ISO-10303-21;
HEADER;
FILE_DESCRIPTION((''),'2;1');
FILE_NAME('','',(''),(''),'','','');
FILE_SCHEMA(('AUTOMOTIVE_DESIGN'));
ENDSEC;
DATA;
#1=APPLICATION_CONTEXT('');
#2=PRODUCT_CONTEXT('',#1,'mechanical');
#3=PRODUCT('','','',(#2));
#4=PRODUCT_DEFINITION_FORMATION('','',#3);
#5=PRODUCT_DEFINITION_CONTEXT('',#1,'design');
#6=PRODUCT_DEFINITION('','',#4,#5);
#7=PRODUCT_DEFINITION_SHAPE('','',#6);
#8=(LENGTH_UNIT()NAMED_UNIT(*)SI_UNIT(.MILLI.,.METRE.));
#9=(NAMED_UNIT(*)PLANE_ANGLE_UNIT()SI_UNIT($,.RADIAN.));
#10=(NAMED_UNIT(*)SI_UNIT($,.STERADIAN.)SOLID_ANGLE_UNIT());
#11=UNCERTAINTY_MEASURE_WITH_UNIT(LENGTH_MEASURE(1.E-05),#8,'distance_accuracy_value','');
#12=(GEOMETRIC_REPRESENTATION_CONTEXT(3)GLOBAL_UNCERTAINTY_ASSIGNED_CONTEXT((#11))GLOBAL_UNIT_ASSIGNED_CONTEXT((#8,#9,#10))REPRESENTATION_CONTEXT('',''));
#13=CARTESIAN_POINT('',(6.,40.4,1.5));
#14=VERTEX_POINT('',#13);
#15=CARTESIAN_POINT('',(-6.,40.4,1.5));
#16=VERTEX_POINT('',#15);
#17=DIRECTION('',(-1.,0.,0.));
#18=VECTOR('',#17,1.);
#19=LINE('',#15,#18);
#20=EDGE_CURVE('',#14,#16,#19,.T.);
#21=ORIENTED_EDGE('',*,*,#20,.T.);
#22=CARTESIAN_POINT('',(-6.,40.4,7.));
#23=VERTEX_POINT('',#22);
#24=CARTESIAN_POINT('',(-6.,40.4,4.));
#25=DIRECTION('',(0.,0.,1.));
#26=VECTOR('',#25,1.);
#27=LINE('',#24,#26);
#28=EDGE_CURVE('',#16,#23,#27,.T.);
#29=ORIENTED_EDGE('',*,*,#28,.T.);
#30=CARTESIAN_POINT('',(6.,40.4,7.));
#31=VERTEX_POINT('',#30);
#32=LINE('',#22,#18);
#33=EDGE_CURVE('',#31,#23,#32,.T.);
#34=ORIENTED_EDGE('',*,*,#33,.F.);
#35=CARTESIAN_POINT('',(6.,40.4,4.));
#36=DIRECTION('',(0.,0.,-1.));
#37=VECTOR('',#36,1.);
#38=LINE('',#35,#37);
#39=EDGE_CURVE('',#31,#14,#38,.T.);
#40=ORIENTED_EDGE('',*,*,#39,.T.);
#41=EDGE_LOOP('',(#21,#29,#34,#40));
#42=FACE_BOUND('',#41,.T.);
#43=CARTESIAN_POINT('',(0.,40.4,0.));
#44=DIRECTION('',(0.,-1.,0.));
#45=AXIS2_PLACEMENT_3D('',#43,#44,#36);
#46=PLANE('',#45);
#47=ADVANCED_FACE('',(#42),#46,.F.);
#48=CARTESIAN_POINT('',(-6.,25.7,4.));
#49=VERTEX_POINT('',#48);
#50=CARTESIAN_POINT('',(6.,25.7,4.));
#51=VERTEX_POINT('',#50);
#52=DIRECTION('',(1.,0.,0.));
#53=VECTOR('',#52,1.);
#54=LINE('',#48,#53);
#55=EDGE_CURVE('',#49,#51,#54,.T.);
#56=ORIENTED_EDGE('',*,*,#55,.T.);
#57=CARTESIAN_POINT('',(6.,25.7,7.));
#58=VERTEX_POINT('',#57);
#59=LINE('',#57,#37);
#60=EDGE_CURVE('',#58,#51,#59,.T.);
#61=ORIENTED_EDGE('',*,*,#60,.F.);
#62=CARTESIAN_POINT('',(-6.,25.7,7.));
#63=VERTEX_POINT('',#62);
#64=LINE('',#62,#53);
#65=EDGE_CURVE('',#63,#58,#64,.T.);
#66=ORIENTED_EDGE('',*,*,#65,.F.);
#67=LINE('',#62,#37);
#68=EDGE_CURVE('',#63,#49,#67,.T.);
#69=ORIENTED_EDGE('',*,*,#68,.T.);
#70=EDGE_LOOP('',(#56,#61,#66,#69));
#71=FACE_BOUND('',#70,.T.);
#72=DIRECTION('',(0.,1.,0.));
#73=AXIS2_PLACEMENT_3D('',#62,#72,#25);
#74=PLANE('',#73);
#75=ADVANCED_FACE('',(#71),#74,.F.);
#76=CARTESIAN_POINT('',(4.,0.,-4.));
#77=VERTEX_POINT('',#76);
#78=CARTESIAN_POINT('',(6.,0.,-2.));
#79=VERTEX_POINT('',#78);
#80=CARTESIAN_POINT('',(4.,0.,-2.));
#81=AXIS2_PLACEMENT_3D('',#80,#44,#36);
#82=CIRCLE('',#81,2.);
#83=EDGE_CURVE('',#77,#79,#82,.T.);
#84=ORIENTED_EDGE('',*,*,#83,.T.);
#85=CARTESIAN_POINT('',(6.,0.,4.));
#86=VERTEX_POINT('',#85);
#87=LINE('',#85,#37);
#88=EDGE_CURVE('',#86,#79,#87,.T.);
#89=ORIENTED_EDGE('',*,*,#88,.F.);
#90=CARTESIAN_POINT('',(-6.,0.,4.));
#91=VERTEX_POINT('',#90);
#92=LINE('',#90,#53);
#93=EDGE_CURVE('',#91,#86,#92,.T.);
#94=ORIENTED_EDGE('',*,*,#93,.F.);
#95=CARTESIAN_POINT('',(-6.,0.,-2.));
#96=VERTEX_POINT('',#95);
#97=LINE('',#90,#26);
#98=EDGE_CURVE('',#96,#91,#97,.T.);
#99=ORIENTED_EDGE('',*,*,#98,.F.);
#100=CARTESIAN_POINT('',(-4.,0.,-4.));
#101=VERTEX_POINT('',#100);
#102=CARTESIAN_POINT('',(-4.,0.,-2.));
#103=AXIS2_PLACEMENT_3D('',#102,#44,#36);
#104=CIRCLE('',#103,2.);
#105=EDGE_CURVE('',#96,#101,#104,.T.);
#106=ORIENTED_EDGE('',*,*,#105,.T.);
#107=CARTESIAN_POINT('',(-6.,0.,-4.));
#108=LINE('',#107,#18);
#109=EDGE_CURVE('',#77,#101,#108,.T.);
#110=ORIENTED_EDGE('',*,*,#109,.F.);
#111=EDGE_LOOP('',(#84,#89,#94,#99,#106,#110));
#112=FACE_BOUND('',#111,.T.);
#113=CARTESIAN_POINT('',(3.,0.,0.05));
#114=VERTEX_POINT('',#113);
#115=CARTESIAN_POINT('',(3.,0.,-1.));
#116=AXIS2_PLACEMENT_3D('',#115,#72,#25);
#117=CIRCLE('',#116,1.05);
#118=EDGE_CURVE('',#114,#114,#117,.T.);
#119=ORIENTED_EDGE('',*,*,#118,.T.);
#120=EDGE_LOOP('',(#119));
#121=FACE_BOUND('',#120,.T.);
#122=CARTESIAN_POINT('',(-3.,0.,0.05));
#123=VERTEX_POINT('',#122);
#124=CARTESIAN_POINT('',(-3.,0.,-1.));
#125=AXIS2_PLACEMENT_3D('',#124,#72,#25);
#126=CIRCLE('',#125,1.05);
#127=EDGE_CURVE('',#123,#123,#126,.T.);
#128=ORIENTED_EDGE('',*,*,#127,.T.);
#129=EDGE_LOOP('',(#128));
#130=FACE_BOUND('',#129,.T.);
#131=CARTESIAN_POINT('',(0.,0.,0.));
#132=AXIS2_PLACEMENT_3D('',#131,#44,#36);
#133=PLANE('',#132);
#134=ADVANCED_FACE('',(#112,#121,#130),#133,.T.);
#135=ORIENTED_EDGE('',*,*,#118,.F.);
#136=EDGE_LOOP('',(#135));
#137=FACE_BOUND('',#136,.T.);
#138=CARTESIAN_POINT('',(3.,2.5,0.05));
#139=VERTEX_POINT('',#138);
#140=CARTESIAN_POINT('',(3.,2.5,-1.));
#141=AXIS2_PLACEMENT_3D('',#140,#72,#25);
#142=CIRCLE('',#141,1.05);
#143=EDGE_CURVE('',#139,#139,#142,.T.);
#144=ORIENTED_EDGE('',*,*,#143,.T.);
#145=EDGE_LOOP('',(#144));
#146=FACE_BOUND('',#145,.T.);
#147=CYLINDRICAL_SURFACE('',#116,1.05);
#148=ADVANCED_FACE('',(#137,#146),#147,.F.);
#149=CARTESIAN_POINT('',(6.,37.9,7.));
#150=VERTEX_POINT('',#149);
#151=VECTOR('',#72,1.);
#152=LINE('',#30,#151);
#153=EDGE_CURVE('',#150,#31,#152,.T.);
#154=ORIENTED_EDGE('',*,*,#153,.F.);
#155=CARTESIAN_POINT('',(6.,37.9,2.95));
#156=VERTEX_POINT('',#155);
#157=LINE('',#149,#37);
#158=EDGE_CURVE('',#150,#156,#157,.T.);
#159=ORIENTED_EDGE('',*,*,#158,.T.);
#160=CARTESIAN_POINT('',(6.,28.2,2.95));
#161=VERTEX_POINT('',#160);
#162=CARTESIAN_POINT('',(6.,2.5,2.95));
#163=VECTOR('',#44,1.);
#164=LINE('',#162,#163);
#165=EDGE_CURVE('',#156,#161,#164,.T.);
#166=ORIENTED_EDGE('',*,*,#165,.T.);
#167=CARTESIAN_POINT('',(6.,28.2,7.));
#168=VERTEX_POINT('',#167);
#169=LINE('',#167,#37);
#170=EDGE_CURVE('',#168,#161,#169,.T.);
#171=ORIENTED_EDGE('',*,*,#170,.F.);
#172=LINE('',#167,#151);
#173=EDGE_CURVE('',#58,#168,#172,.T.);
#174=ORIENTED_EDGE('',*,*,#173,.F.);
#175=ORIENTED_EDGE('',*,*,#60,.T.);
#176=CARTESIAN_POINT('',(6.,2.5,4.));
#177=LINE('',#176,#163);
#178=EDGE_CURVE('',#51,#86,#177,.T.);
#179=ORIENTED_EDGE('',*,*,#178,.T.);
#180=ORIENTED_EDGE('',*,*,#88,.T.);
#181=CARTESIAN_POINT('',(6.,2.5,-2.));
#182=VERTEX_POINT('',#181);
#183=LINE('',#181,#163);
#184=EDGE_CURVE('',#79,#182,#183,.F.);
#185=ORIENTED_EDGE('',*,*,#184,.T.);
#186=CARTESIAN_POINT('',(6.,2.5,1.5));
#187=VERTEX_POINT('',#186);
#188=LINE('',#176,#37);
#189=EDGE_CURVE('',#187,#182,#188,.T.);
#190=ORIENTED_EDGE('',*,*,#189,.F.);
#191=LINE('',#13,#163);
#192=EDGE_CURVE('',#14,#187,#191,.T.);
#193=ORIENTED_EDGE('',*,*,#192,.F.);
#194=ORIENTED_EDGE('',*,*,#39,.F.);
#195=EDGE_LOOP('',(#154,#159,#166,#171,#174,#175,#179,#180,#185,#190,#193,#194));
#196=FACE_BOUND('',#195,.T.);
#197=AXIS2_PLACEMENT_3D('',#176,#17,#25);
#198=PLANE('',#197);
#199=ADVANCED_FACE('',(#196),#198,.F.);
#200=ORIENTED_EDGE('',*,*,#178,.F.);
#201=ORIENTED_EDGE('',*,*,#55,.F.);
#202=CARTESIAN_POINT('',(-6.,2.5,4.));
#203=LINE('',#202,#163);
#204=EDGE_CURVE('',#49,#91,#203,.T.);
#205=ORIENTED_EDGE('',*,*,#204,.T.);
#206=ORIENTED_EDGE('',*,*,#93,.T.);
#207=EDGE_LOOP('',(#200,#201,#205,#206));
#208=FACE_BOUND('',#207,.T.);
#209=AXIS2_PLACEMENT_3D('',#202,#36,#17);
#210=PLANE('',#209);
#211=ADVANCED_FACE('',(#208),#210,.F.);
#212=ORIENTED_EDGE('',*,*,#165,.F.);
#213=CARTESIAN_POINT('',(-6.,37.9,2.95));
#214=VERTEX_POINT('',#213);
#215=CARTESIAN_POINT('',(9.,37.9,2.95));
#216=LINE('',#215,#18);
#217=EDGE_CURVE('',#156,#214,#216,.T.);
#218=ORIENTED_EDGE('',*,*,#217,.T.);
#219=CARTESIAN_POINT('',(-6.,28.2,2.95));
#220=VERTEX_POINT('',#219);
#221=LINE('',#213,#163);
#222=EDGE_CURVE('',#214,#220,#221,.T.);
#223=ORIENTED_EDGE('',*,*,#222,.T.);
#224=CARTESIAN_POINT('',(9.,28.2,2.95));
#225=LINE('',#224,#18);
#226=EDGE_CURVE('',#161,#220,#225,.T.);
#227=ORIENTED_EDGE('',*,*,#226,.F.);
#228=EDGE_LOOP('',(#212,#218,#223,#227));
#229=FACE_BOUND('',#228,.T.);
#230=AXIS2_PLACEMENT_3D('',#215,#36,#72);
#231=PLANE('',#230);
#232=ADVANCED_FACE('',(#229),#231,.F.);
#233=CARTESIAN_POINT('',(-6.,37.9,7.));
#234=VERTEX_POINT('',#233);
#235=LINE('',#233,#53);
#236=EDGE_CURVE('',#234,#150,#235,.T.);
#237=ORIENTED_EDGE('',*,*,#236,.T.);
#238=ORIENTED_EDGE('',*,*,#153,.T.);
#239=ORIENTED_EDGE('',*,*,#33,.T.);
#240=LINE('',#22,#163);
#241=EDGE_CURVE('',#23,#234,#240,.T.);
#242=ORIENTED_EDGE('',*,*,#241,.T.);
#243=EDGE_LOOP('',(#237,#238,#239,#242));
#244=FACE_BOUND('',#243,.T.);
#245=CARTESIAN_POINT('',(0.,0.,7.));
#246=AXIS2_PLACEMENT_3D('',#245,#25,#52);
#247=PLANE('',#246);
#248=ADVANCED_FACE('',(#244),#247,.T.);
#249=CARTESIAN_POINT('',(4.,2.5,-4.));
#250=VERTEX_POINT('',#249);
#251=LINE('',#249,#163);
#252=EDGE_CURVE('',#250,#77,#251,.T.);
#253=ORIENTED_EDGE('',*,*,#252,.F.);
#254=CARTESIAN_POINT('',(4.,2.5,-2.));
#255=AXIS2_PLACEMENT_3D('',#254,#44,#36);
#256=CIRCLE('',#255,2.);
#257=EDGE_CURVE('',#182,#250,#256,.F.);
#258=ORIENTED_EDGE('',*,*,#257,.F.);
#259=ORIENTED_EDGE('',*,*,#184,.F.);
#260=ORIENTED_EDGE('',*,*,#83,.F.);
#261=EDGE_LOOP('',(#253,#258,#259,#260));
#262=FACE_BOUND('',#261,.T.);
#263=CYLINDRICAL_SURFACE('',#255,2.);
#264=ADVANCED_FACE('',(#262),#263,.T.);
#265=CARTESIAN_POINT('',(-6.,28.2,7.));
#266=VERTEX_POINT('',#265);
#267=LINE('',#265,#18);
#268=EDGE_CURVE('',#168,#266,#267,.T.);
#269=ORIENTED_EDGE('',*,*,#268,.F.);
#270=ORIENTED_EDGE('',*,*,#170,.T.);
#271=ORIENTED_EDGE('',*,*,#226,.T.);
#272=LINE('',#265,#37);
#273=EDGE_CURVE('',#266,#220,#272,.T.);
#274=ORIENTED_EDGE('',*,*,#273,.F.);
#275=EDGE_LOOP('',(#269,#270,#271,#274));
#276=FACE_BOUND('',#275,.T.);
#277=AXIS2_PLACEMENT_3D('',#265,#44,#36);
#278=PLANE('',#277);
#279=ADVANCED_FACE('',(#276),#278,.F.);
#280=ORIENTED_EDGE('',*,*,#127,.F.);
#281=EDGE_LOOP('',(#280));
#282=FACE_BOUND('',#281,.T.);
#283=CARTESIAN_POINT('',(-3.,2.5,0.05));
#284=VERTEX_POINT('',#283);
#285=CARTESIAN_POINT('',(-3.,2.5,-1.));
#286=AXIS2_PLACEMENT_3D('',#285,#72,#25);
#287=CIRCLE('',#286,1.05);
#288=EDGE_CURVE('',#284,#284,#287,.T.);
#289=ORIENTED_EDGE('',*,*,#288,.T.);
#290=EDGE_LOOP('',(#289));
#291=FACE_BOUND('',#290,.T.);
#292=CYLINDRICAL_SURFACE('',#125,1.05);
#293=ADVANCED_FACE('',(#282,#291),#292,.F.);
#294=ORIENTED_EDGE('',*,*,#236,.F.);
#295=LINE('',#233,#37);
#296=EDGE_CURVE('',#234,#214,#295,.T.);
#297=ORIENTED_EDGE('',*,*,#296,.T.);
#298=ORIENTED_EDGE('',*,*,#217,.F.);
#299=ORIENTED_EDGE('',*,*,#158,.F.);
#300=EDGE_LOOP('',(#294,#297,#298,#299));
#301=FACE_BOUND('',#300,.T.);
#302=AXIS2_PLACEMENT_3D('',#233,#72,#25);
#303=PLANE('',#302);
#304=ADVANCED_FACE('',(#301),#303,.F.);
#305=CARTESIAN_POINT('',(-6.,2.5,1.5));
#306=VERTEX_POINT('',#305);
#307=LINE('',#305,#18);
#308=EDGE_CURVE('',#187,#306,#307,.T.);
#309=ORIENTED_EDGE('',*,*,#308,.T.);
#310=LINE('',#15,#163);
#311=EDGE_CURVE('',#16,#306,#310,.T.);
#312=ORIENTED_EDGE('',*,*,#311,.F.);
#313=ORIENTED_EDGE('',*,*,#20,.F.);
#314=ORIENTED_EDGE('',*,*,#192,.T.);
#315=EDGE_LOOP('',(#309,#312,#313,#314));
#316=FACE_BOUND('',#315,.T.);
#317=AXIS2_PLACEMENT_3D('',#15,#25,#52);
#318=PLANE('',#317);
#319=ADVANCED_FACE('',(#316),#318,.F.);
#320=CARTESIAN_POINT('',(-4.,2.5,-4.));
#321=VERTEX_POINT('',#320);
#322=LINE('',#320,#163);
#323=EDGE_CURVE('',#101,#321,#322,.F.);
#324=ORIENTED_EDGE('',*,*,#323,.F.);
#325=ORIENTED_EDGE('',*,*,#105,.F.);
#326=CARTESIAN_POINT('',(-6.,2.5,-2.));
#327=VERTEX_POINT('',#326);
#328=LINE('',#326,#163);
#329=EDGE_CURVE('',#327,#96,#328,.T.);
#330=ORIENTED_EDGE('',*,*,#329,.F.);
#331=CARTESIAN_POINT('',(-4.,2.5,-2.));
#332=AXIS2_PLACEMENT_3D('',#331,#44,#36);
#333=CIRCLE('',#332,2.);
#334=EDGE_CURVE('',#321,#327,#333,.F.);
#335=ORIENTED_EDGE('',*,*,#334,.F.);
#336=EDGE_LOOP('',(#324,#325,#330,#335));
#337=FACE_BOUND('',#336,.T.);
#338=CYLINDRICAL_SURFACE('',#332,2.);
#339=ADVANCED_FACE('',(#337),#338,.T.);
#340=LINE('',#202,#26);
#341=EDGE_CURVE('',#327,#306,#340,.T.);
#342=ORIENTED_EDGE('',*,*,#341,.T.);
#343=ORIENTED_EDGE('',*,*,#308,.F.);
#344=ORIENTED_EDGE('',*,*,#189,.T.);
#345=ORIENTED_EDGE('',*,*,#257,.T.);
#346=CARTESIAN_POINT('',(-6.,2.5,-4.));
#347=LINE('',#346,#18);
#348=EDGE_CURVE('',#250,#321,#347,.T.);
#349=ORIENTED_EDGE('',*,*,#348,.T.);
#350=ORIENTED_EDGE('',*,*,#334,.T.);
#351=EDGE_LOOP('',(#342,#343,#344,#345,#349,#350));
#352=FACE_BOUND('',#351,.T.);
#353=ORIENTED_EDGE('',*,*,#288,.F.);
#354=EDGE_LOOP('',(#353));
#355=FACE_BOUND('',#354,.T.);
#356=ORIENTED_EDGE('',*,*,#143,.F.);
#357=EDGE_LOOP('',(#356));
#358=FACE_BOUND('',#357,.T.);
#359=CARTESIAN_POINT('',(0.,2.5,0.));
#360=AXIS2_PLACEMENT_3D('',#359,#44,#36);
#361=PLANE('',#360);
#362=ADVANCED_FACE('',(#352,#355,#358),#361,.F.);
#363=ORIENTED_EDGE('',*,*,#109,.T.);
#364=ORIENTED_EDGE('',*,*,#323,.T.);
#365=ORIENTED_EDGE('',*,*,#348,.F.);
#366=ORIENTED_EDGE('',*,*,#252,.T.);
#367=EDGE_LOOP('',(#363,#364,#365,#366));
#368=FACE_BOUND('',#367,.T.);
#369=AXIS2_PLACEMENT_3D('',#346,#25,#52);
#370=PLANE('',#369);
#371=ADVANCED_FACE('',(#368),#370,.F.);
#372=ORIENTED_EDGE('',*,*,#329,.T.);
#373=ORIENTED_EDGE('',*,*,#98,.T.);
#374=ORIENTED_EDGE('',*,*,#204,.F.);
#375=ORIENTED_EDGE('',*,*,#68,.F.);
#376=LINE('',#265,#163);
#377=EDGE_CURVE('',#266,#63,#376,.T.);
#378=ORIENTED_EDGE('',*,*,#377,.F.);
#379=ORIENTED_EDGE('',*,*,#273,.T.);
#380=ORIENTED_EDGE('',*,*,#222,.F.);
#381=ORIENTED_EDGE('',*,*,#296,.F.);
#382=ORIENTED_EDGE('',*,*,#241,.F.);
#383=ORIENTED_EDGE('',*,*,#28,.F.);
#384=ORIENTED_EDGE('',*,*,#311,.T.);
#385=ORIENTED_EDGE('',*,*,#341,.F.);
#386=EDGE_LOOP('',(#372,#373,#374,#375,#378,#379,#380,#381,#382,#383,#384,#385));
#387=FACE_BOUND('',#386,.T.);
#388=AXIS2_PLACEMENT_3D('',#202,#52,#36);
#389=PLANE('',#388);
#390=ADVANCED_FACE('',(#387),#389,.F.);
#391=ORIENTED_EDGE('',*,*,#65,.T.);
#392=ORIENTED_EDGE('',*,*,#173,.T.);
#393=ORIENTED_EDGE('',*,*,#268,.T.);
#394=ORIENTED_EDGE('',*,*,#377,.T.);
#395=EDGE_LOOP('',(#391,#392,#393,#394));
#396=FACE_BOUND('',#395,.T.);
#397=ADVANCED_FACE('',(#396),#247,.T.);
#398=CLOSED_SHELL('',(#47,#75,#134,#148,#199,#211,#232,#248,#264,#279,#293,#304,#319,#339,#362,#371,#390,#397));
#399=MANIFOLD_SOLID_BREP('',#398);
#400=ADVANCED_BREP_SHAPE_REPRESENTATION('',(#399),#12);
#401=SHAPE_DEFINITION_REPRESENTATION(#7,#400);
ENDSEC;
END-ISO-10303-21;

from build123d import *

# Parameters (mm, degrees)
SKETCH1_W           = 12
SKETCH1_H           = 8
BOSS_EXTRUDE1_DEPTH = 2.5
FILLET1_R           = 2
SKETCH2_R           = 1.05
CUT_EXTRUDE1_DEPTH  = 2.5
SKETCH3_W           = 12
SKETCH3_H           = 2.5
BOSS_EXTRUDE2_DEPTH = 37.9
SKETCH5_W           = 12
SKETCH5_H           = 2.5
BOSS_EXTRUDE4_DEPTH = 3
SKETCH6_W           = 12
SKETCH6_H           = 2.5
BOSS_EXTRUDE5_DEPTH = 3
SKETCH7_W           = 1.05
SKETCH7_H           = 9.7
CUT_EXTRUDE2_DEPTH  = 15


with BuildPart() as part:
    # Sketch1 → Boss-Extrude1 (new body)
    with BuildSketch(Plane(origin=(0, 0, 0), x_dir=(1, 0, 0), z_dir=(0, 1, 0))):
        Rectangle(SKETCH1_W, SKETCH1_H)
    extrude(amount=BOSS_EXTRUDE1_DEPTH)

    # Fillet1
    fillet1_edges = [part.edges().sort_by_distance(p)[0] for p in [
        (-6, 1.25, -4),
        (6, 1.25, -4),
    ]]
    fillet(fillet1_edges, radius=FILLET1_R)

    # Sketch2 → Cut-Extrude1 (cut)
    with BuildSketch(Plane(origin=(0, 2.5, 0), x_dir=(1, 0, 0), z_dir=(0, 1, 0))):
        with Locations(Location((3, 1, 0), (0, 0, 270))):
            Circle(SKETCH2_R)
        with Locations(Location((-3, 1, 0), (0, 0, 270))):
            Circle(SKETCH2_R)
    extrude(amount=-CUT_EXTRUDE1_DEPTH, mode=Mode.SUBTRACT)

    # Sketch3 → Boss-Extrude2 (add)
    with BuildSketch(Plane(origin=(0, 2.5, 0), x_dir=(1, 0, 0), z_dir=(0, 1, 0))):
        with Locations((0, -2.75)):
            Rectangle(SKETCH3_W, SKETCH3_H)
    extrude(amount=BOSS_EXTRUDE2_DEPTH)

    # Sketch5 → Boss-Extrude4 (add)
    with BuildSketch(Plane.XY.offset(4)):
        with Locations((0, 39.15)):
            Rectangle(SKETCH5_W, SKETCH5_H)
    extrude(amount=BOSS_EXTRUDE4_DEPTH)

    # Sketch6 → Boss-Extrude5 (add)
    with BuildSketch(Plane.XY.offset(4)):
        with Locations((0, 26.95)):
            Rectangle(SKETCH6_W, SKETCH6_H)
    extrude(amount=BOSS_EXTRUDE5_DEPTH)

    # Sketch7 → Cut-Extrude2 (cut)
    with BuildSketch(Plane.ZY.offset(6)):
        with Locations((3.475, 33.05)):
            Rectangle(SKETCH7_W, SKETCH7_H)
    extrude(amount=-CUT_EXTRUDE2_DEPTH, mode=Mode.SUBTRACT)


solid = part.part
